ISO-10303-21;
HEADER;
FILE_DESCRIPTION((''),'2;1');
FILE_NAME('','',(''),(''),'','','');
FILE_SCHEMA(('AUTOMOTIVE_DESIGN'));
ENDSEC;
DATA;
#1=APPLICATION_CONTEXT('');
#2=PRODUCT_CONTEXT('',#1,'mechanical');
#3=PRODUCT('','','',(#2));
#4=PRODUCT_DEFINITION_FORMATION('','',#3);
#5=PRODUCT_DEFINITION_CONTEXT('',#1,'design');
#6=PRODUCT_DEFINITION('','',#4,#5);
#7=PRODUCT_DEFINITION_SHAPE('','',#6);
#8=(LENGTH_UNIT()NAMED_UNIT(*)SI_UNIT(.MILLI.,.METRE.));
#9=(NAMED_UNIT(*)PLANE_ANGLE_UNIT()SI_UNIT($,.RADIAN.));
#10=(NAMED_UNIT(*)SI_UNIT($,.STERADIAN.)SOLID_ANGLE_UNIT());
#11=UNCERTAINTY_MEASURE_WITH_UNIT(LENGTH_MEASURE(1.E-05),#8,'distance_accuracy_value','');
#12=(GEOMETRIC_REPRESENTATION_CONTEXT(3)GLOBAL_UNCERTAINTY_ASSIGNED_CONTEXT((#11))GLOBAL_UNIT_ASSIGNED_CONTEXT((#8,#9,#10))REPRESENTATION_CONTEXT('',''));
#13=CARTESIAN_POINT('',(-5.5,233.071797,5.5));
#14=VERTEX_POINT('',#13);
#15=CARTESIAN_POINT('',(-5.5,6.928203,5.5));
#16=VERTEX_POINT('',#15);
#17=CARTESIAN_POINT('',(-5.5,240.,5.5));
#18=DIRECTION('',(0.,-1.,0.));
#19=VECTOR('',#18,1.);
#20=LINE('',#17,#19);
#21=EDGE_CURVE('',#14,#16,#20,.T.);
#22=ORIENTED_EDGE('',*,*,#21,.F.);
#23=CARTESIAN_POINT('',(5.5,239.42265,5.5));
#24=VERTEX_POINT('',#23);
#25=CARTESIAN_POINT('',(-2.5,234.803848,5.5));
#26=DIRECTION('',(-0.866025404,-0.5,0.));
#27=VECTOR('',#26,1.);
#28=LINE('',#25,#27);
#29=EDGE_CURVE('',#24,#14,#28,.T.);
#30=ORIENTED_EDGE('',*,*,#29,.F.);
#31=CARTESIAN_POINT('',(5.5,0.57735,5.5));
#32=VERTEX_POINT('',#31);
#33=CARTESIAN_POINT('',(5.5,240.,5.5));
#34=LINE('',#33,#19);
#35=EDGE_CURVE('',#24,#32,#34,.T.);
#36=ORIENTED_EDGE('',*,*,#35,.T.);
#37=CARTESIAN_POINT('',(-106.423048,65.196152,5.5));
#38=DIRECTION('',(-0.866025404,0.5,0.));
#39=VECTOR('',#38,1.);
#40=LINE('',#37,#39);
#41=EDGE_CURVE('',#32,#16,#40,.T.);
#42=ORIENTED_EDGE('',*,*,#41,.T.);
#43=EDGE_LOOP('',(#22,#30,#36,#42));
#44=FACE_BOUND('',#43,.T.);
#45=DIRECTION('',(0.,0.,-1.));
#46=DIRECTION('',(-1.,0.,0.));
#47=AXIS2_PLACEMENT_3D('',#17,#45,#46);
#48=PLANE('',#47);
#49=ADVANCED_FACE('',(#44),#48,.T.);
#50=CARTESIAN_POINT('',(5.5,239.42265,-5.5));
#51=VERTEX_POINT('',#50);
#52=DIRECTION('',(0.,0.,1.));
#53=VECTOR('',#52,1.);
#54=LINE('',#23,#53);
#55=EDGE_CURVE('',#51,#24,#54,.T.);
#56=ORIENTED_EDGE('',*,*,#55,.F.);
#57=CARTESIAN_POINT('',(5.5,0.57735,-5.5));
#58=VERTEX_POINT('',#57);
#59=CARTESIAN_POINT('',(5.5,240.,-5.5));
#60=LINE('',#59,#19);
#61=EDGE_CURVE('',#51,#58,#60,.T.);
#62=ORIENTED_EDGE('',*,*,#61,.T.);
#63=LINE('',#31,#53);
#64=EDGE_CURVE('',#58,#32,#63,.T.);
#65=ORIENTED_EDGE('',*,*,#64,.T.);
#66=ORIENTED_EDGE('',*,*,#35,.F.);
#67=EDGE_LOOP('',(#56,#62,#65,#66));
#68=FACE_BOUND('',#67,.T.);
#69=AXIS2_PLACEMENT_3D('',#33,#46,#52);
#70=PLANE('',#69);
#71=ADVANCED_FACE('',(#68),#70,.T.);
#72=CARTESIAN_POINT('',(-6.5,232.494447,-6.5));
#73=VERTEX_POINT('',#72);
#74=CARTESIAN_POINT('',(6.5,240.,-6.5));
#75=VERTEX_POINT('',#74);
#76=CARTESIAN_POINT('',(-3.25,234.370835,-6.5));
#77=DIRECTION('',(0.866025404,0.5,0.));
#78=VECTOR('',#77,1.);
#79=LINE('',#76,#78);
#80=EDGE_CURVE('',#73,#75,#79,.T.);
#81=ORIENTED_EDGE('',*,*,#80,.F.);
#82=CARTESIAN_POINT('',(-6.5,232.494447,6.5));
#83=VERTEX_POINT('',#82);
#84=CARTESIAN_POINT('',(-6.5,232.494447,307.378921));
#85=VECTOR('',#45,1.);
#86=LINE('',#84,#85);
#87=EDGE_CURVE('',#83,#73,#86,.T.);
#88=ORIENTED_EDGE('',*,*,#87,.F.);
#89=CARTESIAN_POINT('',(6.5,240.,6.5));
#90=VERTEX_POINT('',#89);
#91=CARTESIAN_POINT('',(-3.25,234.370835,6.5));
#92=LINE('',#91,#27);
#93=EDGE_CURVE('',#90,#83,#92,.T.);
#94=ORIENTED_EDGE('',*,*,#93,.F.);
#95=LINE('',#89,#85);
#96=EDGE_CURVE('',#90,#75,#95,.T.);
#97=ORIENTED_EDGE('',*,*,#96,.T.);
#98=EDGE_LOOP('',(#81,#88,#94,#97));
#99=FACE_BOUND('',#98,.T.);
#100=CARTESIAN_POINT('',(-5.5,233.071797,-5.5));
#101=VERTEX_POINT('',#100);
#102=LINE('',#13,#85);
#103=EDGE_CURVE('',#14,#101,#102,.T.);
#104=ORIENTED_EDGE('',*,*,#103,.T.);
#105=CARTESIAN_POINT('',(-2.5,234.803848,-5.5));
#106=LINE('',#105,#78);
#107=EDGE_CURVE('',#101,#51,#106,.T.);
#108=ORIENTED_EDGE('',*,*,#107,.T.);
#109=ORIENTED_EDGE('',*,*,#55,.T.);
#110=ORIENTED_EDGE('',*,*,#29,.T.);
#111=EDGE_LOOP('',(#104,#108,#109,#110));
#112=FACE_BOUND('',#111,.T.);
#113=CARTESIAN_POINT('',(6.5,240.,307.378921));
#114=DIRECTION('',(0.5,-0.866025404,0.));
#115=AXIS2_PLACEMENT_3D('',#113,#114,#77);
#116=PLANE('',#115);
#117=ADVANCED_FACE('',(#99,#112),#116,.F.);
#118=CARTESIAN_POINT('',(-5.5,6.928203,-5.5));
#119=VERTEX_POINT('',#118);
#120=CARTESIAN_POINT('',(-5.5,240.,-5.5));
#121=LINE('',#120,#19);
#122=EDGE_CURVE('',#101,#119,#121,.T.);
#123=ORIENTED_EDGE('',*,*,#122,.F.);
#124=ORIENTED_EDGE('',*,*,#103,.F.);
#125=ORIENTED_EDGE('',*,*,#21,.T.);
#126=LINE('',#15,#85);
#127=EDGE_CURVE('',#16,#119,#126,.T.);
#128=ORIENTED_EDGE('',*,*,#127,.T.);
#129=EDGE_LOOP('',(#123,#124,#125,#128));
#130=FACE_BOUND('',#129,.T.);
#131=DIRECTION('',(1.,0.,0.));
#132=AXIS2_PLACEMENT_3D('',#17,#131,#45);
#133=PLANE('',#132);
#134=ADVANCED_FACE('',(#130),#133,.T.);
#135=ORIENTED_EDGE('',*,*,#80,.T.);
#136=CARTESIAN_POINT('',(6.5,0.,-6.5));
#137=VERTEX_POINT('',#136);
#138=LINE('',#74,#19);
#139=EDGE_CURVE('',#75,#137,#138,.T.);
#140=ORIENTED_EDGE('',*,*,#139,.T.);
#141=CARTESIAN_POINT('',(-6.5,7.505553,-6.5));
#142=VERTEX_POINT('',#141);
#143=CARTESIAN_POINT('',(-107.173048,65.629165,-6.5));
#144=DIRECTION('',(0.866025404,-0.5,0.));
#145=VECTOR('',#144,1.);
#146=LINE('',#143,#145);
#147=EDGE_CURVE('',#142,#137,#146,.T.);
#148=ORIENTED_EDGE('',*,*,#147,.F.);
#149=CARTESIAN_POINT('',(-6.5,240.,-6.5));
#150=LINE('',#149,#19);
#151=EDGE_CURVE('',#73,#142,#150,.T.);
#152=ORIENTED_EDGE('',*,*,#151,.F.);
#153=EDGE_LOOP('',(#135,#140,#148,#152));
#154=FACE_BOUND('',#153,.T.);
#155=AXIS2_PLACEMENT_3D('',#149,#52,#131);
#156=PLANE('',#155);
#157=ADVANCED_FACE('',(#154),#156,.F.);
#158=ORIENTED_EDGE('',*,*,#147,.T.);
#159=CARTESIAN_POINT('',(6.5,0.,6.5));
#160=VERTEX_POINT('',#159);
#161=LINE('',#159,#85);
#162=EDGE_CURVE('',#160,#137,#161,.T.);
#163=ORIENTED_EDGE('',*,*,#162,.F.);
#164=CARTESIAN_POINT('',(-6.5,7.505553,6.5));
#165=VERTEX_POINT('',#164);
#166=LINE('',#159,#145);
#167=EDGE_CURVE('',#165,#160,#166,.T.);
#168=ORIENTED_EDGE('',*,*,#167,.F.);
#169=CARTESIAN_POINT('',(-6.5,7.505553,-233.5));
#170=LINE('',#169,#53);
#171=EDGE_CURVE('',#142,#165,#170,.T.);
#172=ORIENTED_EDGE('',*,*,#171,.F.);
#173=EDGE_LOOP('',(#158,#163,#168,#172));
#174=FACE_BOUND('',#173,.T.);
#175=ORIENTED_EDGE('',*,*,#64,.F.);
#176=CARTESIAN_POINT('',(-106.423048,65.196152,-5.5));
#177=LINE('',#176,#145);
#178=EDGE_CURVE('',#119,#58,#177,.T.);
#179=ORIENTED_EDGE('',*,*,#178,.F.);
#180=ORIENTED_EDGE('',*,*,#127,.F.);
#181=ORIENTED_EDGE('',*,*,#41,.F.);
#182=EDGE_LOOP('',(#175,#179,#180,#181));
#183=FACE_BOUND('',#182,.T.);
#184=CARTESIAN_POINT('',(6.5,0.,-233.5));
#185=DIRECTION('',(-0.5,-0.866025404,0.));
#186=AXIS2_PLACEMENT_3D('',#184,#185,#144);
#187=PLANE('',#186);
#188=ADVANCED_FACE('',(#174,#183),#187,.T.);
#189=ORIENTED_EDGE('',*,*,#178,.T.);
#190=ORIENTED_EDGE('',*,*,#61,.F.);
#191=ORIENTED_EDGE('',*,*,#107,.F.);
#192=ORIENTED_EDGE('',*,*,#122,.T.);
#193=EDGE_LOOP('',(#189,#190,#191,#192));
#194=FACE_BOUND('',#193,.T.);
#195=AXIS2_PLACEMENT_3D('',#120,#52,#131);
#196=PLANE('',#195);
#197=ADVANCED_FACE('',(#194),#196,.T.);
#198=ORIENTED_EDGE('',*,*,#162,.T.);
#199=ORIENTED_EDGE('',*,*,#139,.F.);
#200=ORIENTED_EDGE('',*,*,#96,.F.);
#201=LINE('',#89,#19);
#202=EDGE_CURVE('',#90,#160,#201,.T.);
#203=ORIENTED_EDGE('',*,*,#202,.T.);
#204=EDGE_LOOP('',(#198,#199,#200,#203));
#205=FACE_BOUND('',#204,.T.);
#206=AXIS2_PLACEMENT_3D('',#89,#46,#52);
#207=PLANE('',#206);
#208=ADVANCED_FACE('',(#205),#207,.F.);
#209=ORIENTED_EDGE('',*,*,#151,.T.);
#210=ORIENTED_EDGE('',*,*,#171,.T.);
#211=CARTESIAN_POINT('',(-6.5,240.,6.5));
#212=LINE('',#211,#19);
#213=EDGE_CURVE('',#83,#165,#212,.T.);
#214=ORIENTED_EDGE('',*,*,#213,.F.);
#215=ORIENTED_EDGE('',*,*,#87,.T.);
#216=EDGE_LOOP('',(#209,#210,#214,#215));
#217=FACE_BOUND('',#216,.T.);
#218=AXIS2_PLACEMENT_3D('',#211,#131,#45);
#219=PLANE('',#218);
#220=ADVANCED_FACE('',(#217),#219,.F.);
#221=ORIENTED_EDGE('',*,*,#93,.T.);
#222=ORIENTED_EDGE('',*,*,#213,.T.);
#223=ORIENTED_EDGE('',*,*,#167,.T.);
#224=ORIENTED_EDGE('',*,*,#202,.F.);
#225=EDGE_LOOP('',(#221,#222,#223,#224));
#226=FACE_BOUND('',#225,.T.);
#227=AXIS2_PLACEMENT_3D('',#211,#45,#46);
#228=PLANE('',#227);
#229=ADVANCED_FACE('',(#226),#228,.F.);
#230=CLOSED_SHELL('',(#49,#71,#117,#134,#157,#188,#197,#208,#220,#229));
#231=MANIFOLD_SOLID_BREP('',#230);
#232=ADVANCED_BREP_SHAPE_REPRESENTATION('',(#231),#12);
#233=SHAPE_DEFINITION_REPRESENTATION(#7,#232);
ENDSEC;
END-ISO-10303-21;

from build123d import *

# Parameters (mm, degrees)
SKETCH2_W               = 13
SKETCH2_H               = 13
SKETCH2_W_2             = 11
SKETCH2_H_2             = 11
BOSS_EXTRUDE1_DEPTH     = 240
CUT_EXTRUDE1_DEPTH      = 1
CUT_EXTRUDE1_DEPTH_BACK = 14
SKETCH4_OUTSIDE_W       = 63.14
SKETCH4_OUTSIDE_H       = 290.14
CUT_EXTRUDE2_DEPTH      = 240


with BuildPart() as part:
    # Sketch2 → Boss-Extrude1 (new body)
    with BuildSketch(Plane(origin=(0, 0, 0), x_dir=(1, 0, 0), z_dir=(0, 1, 0))):
        Rectangle(SKETCH2_W, SKETCH2_H)
        Rectangle(SKETCH2_W_2, SKETCH2_H_2, mode=Mode.SUBTRACT)
    extrude(amount=BOSS_EXTRUDE1_DEPTH)

    # Sketch3 → Cut-Extrude1 (cut, two sides)
    with BuildSketch(Plane.XY.offset(6.5)) as cut_extrude1_sk:
        Polygon((431.461827419, 485.351825456), (6.5, 240), (-6.5, 232.494446501), (-431.461827419, -12.857378955), (-922.165478331, 837.066275884), (-59.241823492, 1335.275480295), align=None)
    extrude(amount=CUT_EXTRUDE1_DEPTH, mode=Mode.SUBTRACT)
    extrude(cut_extrude1_sk.sketch, amount=-CUT_EXTRUDE1_DEPTH_BACK, mode=Mode.SUBTRACT)

    # Sketch4 outside → Cut-Extrude2 (cut)
    with BuildSketch(Plane.XY.offset(6.5)):
        with Locations((0, 120)):
            Rectangle(SKETCH4_OUTSIDE_W, SKETCH4_OUTSIDE_H)
        Polygon((6.5, 0), (-6.5, 7.505553499), (-6.5, 232.494446501), (6.5, 240), align=None, mode=Mode.SUBTRACT)
    extrude(amount=-CUT_EXTRUDE2_DEPTH, mode=Mode.SUBTRACT)


solid = part.part
